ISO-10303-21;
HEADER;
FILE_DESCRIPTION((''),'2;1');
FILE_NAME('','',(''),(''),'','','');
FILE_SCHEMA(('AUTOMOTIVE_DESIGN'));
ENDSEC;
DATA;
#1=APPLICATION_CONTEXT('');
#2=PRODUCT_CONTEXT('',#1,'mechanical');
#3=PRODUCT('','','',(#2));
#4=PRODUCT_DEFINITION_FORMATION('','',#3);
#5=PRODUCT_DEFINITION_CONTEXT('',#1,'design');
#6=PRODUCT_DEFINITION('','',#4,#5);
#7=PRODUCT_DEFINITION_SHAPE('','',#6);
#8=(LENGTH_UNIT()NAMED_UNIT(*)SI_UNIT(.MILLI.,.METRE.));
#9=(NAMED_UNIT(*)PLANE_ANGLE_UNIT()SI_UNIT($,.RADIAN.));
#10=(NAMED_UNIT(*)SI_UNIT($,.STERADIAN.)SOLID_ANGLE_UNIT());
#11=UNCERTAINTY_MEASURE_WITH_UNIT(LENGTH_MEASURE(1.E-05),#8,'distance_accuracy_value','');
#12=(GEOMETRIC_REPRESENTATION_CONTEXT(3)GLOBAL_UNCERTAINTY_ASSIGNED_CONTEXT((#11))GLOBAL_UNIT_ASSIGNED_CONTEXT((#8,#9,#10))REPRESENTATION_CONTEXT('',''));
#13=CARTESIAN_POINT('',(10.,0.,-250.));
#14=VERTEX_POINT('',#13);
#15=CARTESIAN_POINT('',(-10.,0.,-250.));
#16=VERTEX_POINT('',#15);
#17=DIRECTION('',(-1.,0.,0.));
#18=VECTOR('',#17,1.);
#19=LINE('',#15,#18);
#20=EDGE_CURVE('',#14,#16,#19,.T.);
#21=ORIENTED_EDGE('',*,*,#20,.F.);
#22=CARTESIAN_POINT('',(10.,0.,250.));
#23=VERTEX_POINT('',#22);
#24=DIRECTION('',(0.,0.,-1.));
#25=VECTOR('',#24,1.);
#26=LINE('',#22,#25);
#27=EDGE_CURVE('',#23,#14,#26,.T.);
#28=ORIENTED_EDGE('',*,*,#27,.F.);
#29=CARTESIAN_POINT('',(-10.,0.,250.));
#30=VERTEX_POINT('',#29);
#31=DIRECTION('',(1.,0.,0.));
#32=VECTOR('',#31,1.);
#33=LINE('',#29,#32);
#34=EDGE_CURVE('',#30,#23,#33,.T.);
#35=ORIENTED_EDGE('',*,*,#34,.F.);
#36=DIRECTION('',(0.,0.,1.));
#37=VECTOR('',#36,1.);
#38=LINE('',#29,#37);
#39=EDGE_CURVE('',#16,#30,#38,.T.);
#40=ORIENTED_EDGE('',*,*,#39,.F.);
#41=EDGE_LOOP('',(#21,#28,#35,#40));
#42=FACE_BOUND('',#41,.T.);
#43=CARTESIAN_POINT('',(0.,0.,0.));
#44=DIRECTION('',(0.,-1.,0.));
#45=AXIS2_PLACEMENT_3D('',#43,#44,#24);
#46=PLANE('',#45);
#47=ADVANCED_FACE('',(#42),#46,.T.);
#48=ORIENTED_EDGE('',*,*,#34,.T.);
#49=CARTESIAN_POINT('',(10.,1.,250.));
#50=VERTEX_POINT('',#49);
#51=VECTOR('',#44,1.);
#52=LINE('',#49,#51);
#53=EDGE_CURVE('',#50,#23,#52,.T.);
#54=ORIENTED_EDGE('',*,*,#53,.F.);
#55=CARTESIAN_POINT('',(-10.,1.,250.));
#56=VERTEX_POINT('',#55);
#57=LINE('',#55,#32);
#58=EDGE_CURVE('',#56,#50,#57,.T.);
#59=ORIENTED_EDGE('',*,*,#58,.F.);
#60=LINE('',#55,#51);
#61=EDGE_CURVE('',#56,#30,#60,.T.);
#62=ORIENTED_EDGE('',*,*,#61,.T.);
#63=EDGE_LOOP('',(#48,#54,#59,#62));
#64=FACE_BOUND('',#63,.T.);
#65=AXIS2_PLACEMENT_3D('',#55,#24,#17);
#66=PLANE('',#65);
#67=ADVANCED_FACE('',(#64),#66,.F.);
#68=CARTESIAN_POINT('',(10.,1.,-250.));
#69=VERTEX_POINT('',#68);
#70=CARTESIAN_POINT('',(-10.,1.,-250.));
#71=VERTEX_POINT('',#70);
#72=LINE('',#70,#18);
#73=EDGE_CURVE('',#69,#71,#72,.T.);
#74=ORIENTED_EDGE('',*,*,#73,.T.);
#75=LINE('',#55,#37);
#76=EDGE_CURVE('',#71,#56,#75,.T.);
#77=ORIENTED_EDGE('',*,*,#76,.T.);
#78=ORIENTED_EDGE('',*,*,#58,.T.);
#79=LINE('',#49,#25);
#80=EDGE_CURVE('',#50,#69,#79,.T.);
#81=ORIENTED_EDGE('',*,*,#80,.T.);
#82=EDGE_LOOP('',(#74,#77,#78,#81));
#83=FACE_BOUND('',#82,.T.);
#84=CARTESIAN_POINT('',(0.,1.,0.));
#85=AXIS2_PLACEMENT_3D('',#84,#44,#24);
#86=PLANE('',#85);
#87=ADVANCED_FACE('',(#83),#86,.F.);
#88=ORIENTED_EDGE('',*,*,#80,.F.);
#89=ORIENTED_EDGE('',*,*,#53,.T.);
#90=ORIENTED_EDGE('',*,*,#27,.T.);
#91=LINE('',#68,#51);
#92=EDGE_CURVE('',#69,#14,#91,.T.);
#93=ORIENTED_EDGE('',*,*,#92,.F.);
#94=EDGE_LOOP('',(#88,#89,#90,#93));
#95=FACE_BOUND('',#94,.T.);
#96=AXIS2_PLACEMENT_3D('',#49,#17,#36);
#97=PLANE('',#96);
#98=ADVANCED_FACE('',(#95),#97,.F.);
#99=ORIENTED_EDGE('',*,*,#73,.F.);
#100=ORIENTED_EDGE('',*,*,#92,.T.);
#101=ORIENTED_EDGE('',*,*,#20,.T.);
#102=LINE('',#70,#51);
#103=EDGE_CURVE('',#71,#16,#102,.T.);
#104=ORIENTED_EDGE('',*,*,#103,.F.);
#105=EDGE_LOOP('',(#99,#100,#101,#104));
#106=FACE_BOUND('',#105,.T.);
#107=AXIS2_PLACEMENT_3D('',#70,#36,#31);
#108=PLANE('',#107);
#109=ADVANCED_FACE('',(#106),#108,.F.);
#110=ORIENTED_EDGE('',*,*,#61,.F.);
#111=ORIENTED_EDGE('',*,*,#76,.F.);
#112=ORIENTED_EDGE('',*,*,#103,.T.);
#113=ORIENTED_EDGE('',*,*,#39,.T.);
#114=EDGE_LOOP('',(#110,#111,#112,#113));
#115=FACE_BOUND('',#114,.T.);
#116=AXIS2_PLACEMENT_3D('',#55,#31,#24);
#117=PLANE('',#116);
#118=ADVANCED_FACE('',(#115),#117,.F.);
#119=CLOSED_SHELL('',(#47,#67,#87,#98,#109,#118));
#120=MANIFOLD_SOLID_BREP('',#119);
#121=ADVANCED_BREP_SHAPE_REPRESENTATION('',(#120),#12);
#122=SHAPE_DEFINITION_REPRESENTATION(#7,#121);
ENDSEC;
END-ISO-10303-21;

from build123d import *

# Parameters (mm, degrees)
ESQUISSE1_W        = 20
ESQUISSE1_H        = 500
BOSS_EXTRU_1_DEPTH = 1


with BuildPart() as part:
    # Esquisse1 → Boss.-Extru.1 (new body)
    with BuildSketch(Plane(origin=(0, 0, 0), x_dir=(1, 0, 0), z_dir=(0, 1, 0))):
        Rectangle(ESQUISSE1_W, ESQUISSE1_H)
    extrude(amount=BOSS_EXTRU_1_DEPTH)


solid = part.part
